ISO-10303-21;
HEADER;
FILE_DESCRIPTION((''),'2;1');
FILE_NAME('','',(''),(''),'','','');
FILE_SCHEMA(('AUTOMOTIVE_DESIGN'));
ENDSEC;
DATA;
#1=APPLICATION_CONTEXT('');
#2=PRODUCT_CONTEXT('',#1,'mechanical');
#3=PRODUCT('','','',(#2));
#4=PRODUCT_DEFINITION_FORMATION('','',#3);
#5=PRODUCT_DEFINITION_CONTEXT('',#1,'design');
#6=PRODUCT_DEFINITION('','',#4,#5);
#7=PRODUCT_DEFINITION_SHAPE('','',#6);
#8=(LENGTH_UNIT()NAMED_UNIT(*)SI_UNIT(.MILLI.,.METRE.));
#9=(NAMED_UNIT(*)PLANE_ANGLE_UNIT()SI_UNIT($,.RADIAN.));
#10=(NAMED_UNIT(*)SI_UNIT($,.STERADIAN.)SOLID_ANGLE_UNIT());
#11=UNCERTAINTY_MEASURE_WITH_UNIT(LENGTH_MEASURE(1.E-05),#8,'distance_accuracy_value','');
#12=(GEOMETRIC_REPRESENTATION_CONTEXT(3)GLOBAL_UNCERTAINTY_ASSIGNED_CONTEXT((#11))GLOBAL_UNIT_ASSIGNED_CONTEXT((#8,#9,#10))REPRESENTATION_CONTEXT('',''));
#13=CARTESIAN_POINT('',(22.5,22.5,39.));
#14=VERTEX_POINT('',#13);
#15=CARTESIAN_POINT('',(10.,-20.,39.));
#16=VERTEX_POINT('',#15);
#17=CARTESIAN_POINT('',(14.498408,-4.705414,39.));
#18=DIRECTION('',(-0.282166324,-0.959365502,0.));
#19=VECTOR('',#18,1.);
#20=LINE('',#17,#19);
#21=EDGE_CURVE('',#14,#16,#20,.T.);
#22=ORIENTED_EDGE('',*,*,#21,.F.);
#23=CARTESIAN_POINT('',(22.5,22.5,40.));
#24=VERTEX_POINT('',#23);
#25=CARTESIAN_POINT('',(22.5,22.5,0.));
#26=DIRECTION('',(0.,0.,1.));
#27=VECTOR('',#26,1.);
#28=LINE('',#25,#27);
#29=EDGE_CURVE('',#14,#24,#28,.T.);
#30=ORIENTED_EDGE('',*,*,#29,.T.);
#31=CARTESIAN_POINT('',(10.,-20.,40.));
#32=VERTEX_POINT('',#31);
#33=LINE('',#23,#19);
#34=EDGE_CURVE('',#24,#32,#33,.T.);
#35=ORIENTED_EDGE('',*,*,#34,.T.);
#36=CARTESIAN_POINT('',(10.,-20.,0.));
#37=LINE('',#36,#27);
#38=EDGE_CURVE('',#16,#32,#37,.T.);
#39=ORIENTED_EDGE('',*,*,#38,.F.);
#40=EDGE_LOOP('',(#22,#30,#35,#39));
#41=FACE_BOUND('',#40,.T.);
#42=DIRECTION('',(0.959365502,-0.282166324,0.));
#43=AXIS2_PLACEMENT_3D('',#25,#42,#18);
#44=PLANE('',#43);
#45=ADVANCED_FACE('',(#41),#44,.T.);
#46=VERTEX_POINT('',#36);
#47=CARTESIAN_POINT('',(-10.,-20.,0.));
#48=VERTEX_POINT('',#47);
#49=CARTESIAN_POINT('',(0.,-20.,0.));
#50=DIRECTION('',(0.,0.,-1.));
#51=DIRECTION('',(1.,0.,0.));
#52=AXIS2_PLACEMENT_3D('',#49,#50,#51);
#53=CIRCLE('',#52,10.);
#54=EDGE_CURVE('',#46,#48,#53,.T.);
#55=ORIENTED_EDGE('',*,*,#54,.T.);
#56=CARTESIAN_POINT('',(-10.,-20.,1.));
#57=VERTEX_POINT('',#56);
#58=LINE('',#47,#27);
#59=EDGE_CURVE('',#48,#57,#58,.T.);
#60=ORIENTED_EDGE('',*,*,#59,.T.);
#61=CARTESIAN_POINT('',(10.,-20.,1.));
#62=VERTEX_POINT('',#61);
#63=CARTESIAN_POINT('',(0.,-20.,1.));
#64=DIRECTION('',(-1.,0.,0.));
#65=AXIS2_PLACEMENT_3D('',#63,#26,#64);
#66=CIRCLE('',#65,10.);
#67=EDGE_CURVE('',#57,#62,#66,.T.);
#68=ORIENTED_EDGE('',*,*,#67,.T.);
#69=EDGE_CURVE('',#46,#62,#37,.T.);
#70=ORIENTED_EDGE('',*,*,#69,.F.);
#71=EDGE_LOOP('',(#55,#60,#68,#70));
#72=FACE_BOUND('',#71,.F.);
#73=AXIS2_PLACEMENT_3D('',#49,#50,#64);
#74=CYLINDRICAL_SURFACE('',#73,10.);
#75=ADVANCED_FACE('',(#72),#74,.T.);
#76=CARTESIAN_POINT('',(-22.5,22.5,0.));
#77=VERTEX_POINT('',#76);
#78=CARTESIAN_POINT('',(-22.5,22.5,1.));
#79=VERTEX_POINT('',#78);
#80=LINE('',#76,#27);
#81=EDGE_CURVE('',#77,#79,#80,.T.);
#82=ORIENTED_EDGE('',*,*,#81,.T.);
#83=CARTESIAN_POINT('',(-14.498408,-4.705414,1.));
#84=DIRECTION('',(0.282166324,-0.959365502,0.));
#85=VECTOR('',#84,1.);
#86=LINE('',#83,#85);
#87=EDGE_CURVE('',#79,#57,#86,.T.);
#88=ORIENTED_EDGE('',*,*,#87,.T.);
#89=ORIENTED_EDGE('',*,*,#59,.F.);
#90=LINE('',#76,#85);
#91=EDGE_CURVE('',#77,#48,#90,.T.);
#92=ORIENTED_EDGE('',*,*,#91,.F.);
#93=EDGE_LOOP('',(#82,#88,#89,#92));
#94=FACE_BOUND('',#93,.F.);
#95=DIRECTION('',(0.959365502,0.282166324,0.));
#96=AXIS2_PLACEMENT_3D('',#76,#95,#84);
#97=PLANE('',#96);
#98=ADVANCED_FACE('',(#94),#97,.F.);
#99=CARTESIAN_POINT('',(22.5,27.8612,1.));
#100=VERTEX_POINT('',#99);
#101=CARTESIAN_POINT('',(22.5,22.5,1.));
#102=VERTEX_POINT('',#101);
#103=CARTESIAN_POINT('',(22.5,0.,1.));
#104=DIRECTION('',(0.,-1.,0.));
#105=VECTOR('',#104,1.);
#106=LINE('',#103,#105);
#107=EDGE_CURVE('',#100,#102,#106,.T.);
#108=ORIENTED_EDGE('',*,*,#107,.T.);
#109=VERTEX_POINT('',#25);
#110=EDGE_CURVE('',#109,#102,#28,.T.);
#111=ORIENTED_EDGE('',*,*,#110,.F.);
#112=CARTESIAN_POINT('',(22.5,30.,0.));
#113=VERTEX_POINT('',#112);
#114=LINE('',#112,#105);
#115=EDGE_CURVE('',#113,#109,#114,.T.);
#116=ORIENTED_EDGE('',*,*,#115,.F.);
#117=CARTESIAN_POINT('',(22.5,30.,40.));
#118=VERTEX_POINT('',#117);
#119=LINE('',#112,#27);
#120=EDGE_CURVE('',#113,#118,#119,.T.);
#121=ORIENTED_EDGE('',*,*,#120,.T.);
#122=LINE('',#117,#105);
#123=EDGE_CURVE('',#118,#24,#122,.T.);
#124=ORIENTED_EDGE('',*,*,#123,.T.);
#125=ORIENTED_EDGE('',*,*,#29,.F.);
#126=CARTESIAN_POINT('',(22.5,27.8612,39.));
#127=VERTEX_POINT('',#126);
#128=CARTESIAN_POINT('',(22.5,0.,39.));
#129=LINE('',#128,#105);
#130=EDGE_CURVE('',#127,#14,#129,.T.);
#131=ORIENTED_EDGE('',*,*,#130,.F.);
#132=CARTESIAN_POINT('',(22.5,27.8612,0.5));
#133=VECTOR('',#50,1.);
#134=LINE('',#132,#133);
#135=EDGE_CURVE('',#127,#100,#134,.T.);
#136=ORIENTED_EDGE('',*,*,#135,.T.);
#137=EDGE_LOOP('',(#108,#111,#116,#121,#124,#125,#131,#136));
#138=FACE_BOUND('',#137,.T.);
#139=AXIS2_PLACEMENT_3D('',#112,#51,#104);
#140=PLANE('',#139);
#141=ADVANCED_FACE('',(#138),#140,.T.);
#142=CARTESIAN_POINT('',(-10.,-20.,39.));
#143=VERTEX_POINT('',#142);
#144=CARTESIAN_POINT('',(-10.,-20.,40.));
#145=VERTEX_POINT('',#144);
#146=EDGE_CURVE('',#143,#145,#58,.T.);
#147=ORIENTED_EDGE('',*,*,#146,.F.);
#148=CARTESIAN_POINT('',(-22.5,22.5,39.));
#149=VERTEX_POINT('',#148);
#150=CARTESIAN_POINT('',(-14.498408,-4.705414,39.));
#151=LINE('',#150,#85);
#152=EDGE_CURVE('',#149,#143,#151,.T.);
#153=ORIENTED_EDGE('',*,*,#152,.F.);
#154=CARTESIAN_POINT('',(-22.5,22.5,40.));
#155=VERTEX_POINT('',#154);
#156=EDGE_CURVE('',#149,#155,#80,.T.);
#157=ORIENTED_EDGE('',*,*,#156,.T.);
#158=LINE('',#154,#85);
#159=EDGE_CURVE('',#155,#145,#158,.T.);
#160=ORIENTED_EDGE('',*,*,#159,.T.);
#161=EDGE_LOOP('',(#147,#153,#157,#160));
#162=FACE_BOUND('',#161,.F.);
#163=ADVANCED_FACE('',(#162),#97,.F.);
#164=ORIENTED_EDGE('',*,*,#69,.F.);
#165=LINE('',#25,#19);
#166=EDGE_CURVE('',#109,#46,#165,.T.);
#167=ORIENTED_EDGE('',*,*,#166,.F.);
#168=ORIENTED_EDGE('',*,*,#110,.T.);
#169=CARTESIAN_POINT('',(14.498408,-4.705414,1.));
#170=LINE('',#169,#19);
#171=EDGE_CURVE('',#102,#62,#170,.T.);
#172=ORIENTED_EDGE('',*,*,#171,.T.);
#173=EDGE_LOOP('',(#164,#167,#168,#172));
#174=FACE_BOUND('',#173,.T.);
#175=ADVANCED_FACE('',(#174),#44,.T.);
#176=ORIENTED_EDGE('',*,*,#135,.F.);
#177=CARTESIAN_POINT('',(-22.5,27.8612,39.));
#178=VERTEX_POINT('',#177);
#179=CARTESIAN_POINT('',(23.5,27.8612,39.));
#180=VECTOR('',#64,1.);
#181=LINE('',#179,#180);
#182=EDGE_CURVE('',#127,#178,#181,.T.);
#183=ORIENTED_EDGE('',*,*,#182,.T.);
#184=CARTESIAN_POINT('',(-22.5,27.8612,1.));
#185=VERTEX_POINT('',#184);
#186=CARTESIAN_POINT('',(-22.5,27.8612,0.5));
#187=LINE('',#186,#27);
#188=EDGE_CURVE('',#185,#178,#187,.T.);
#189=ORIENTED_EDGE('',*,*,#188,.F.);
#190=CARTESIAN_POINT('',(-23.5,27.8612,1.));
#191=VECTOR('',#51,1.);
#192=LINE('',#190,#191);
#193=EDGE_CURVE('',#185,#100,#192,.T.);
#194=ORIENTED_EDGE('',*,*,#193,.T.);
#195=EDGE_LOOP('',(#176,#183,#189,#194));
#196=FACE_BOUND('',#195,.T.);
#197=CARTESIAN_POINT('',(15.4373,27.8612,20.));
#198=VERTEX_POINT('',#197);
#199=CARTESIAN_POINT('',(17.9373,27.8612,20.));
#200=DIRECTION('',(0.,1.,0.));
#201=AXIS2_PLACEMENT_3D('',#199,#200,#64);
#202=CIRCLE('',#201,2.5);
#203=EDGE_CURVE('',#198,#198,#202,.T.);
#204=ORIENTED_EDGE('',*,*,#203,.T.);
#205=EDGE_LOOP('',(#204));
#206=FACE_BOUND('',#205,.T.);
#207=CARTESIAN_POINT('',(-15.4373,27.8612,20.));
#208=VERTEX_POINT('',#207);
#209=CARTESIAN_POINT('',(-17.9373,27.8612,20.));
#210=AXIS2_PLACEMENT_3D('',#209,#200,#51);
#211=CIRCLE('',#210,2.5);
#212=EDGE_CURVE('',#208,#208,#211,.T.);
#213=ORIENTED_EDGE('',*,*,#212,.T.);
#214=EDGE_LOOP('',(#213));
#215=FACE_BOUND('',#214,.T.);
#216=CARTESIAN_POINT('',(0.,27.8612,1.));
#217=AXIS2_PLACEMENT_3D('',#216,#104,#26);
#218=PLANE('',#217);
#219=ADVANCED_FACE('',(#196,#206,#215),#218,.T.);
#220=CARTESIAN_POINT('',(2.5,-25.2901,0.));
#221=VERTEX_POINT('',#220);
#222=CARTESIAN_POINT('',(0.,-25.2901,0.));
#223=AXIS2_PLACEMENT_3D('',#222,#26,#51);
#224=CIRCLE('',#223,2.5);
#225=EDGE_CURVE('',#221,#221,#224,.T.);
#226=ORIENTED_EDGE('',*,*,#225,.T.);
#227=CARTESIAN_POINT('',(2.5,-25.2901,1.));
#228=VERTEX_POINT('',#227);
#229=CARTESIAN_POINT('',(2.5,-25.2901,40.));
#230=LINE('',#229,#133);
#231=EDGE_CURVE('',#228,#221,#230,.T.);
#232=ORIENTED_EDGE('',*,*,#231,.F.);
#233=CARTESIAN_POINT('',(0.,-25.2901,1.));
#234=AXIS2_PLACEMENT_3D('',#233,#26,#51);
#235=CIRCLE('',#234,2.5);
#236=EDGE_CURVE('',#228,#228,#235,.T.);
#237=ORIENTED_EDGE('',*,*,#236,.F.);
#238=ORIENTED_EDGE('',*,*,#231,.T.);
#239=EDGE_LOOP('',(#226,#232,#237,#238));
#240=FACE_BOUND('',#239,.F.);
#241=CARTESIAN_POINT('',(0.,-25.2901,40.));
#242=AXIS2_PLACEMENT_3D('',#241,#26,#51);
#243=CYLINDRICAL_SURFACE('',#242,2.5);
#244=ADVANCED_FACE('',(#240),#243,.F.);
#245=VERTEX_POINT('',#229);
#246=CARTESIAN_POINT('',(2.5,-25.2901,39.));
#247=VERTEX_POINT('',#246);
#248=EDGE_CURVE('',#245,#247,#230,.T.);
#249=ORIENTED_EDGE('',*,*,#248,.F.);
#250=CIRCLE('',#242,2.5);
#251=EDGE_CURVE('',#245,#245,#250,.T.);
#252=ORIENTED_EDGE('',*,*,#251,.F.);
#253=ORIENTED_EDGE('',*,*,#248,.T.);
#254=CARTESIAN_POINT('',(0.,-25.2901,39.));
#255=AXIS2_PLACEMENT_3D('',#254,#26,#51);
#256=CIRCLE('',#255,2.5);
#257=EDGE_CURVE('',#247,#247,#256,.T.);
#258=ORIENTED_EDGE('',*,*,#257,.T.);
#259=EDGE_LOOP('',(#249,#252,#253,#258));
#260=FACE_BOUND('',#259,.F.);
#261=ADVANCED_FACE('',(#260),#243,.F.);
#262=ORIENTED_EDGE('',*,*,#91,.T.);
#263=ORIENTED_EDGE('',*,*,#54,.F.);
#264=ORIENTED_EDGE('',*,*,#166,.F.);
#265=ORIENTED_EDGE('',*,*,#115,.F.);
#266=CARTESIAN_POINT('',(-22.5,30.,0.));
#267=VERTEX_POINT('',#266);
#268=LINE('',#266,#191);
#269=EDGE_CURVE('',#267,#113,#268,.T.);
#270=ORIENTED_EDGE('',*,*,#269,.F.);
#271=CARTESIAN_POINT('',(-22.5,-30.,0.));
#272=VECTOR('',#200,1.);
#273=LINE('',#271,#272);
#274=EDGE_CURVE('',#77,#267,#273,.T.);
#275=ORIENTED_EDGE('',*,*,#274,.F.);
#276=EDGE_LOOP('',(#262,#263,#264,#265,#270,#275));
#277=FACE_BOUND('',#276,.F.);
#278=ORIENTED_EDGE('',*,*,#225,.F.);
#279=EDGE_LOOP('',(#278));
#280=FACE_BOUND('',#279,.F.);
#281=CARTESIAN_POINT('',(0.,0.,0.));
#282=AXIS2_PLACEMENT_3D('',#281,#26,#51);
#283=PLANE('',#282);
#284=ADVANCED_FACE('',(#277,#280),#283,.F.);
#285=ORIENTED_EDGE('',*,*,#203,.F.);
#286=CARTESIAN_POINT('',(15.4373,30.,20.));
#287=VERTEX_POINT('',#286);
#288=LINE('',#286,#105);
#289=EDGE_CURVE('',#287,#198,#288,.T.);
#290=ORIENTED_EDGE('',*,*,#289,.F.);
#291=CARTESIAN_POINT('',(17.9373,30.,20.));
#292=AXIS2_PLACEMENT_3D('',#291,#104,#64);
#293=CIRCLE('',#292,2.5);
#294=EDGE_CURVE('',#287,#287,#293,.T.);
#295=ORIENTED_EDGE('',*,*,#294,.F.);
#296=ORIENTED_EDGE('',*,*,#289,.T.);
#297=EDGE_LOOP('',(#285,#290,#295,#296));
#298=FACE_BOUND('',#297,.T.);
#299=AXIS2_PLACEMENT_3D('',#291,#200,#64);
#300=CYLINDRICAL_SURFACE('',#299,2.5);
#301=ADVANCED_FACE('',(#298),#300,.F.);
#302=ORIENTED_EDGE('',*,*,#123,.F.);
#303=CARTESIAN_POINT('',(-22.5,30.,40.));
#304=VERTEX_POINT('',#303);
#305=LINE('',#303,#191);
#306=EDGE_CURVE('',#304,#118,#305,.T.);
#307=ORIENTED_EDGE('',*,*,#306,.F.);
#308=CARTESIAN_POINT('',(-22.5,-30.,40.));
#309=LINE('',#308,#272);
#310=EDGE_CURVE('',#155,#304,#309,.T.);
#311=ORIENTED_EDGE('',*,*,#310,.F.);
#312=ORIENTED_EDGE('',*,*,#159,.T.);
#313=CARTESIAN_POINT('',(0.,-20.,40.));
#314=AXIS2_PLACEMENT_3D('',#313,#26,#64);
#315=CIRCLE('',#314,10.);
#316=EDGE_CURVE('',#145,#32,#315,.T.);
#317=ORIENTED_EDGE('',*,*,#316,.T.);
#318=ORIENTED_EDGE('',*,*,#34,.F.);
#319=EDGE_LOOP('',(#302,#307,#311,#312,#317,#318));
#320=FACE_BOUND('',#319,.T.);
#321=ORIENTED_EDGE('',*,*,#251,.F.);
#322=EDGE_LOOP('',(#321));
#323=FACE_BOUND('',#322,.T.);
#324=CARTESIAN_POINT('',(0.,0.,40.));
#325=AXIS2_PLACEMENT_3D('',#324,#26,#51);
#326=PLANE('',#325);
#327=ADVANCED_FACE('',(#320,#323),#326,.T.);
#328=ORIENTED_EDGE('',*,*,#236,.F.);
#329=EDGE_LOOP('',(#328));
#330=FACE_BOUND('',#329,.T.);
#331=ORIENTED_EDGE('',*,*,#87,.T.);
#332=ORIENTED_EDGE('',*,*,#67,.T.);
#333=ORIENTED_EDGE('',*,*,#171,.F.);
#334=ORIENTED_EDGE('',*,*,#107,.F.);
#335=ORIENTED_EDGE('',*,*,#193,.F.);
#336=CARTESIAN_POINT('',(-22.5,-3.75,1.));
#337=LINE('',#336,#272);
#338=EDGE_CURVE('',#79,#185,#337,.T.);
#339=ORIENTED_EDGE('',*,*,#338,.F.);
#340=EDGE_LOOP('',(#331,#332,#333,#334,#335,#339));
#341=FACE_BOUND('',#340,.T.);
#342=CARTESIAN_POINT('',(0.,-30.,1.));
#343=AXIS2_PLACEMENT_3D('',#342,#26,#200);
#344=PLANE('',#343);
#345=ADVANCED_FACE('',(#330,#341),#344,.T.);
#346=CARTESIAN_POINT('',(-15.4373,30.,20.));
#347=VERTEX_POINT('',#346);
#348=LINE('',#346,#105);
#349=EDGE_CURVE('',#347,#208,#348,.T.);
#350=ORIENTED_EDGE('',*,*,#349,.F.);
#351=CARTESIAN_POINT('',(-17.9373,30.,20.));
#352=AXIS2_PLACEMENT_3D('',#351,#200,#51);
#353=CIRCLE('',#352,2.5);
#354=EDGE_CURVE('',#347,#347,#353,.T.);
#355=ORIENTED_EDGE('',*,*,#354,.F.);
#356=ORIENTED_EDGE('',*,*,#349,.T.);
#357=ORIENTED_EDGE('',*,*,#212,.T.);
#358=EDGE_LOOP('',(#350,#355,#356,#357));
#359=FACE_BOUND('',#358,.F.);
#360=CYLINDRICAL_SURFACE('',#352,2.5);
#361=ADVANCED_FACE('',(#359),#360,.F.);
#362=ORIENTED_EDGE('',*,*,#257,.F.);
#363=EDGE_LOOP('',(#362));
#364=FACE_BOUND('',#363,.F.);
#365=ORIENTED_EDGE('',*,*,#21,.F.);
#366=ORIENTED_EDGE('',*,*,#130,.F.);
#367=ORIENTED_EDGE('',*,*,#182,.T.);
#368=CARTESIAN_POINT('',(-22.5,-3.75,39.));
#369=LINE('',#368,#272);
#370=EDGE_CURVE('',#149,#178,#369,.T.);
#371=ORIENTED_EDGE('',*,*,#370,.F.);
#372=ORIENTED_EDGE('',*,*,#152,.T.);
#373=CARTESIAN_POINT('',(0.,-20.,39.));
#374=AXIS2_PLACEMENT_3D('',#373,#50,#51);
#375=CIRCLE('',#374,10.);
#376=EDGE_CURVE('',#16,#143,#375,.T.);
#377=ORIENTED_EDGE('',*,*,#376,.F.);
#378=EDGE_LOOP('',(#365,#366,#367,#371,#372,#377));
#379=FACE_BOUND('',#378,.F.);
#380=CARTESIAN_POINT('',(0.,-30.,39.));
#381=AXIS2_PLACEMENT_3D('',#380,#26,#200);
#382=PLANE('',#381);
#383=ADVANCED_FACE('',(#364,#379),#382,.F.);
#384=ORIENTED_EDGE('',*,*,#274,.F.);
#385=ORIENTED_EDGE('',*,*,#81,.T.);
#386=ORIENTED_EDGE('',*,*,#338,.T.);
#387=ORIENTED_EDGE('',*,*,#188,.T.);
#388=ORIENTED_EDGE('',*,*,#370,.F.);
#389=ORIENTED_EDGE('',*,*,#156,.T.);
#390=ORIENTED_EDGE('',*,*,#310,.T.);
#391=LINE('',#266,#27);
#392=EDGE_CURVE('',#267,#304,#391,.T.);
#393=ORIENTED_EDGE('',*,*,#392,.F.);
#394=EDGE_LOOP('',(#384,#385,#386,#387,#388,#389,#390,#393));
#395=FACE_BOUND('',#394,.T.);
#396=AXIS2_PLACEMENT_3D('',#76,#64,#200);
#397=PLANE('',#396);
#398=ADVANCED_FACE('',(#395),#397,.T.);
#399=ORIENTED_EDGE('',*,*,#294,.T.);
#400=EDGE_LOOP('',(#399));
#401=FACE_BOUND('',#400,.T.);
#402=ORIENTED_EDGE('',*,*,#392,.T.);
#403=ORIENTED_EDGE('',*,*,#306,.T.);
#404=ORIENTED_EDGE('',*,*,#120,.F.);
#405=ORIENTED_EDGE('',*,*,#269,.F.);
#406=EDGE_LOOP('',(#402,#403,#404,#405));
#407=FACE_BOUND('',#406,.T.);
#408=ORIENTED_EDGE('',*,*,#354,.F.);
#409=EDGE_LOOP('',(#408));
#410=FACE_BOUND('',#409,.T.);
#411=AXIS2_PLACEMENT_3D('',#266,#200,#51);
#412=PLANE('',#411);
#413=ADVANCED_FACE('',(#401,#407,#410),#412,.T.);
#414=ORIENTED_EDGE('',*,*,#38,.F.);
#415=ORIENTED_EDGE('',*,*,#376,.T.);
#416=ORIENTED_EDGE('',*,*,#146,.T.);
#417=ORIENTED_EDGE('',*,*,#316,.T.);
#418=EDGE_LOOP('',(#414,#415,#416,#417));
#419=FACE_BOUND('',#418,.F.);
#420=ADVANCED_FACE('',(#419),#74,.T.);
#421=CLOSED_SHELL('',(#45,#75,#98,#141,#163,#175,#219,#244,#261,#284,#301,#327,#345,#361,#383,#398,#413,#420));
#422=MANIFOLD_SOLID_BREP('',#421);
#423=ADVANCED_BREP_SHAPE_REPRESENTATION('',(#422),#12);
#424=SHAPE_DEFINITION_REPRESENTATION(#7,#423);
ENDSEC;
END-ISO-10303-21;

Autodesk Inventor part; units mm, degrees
ref_plane "YZ Plane" through (0, 0, 0) normal (1, 0, 0) x (0, 1, 0)
ref_plane "XZ Plane" through (0, 0, 0) normal (0, 1, 0) x (-1, 0, 0)
ref_plane "XY Plane" through (0, 0, 0) normal (0, 0, 1) x (1, 0, 0)
sketch "Sketch1" plane through (0, 0, 0) normal (0, 0, 1) x (1, 0, 0)
  line L0 (-22.5, -30) -> (-22.5, 30)
  line L1 (-22.5, 30) -> (22.5, 30)
  line L2 (22.5, 30) -> (22.5, -30)
  line L3 (22.5, -30) -> (-22.5, -30)
  line L4 (-22.5, -30) -> (22.5, 30) construction
  line L5 (-22.5, 30) -> (22.5, -30) construction
  line L6 (-22.5, 30) -> (-22.5, 22.5)
  line L7 (0, -30) -> (0, -20)
  line L8 (0, -20) -> (-10, -20)
  line L9 (-10, -20) -> (10, -20)
  line L10 (-22.5, 22.5) -> (-10, -20)
  line L11 (22.5, 30) -> (22.5, 22.5)
  line L12 (22.5, 22.5) -> (10, -20)
  arc A0 (-10, -20) -> (10, -20) centre (0, -20) ccw
  point P0 (0, 0)
  dimension "d0" = 60
  dimension "d1" = 45
  dimension "d2" = 7.5
  dimension "d3" = 10
  dimension "d4" = 10
  dimension "d5" = 20
  dimension "d6" = 7.5
extrude "Extrusion1" add sketch "Sketch1" along normal blind 40 contours L0 L1 L2 L12 L9 L8 L10 | A0 L8 L7 | L7 L9 A0
sketch "Sketch2" plane through (0, 0, 0) normal (1, 0, 0) x (0, 1, 0)
  line L0 (30, 0) -> (30, 40) projected
  line L1 (30, 40) -> (30, 0)
  line L2 (-20, 0) -> (-30, 0) projected
  line L3 (30, 0) -> (-30, 0)
  line L4 (-30, 0) -> (-30, 1)
  line L5 (-30, 0) -> (-30, 40) projected
  line L6 (30, 40) -> (-30, 40)
  line L7 (-30, 40) -> (-30, 39)
  line L8 (-30, 39) -> (27.8612, 39)
  line L9 (30, 40) -> (22.5, 40) projected
  line L10 (-30, 1) -> (27.8612, 1)
  line L11 (27.8612, 1) -> (27.8612, 39)
  line L12 (-30, 39) -> (-30, 1)
  point P0 (0, 0)
  dimension "d9" = 1
  dimension "d10" = 1
extrude "Extrusion2" cut sketch "Sketch2" along normal through all both and the other way through all contours L5 L8 L11 L10
sketch "Sketch3" plane through (0, 0, 40) normal (0, 0, 1) x (1, 0, 0)
  arc A0 (-10, -20) -> (10, -20) centre (0, -20) ccw projected
  line L0 (10, -20) -> (22.5, 22.5) projected
  line L1 (22.5, 22.5) -> (22.5, 30) projected
  line L2 (22.5, 30) -> (-22.5, 30) projected
  line L3 (-22.5, 30) -> (-22.5, 22.5) projected
  line L4 (-22.5, 22.5) -> (-10, -20) projected
  circle A1 centre (0, -25.2901) radius 2.5
  point P0 (0, 0)
  dimension "d13" = 5
extrude "Extrusion3" cut sketch "Sketch3" against normal blind 40 contours A1
sketch "Sketch4" plane through (-22.5, 30, 0) normal (0, 1, 0) x (1, 0, 0)
  line L0 (45, -40) -> (0, -40) projected
  line L1 (45, 0) -> (0, 0) projected
  line L2 (0, -40) -> (45, 0) construction
  line L3 (0, 0) -> (0, -40) projected
  line L4 (0, 0) -> (45, -40) construction
  line L5 (0, -20) -> (45, -20) construction
  circle A0 centre (4.5627, -20) radius 2.5
  point P0 (22.5, 0)
  dimension "d16" = 5
extrude "Extrusion4" cut sketch "Sketch4" against normal blind 10
ref_plane "Work Plane1" through (0, 22.5, 0) normal (1, 0, 0) x (0, 0, -1)
mirror "Mirror1" about plane through (0, 22.5, 0) normal (1, 0, 0) of "Extrusion4"
properties part number "Thin Wheel Mount"
